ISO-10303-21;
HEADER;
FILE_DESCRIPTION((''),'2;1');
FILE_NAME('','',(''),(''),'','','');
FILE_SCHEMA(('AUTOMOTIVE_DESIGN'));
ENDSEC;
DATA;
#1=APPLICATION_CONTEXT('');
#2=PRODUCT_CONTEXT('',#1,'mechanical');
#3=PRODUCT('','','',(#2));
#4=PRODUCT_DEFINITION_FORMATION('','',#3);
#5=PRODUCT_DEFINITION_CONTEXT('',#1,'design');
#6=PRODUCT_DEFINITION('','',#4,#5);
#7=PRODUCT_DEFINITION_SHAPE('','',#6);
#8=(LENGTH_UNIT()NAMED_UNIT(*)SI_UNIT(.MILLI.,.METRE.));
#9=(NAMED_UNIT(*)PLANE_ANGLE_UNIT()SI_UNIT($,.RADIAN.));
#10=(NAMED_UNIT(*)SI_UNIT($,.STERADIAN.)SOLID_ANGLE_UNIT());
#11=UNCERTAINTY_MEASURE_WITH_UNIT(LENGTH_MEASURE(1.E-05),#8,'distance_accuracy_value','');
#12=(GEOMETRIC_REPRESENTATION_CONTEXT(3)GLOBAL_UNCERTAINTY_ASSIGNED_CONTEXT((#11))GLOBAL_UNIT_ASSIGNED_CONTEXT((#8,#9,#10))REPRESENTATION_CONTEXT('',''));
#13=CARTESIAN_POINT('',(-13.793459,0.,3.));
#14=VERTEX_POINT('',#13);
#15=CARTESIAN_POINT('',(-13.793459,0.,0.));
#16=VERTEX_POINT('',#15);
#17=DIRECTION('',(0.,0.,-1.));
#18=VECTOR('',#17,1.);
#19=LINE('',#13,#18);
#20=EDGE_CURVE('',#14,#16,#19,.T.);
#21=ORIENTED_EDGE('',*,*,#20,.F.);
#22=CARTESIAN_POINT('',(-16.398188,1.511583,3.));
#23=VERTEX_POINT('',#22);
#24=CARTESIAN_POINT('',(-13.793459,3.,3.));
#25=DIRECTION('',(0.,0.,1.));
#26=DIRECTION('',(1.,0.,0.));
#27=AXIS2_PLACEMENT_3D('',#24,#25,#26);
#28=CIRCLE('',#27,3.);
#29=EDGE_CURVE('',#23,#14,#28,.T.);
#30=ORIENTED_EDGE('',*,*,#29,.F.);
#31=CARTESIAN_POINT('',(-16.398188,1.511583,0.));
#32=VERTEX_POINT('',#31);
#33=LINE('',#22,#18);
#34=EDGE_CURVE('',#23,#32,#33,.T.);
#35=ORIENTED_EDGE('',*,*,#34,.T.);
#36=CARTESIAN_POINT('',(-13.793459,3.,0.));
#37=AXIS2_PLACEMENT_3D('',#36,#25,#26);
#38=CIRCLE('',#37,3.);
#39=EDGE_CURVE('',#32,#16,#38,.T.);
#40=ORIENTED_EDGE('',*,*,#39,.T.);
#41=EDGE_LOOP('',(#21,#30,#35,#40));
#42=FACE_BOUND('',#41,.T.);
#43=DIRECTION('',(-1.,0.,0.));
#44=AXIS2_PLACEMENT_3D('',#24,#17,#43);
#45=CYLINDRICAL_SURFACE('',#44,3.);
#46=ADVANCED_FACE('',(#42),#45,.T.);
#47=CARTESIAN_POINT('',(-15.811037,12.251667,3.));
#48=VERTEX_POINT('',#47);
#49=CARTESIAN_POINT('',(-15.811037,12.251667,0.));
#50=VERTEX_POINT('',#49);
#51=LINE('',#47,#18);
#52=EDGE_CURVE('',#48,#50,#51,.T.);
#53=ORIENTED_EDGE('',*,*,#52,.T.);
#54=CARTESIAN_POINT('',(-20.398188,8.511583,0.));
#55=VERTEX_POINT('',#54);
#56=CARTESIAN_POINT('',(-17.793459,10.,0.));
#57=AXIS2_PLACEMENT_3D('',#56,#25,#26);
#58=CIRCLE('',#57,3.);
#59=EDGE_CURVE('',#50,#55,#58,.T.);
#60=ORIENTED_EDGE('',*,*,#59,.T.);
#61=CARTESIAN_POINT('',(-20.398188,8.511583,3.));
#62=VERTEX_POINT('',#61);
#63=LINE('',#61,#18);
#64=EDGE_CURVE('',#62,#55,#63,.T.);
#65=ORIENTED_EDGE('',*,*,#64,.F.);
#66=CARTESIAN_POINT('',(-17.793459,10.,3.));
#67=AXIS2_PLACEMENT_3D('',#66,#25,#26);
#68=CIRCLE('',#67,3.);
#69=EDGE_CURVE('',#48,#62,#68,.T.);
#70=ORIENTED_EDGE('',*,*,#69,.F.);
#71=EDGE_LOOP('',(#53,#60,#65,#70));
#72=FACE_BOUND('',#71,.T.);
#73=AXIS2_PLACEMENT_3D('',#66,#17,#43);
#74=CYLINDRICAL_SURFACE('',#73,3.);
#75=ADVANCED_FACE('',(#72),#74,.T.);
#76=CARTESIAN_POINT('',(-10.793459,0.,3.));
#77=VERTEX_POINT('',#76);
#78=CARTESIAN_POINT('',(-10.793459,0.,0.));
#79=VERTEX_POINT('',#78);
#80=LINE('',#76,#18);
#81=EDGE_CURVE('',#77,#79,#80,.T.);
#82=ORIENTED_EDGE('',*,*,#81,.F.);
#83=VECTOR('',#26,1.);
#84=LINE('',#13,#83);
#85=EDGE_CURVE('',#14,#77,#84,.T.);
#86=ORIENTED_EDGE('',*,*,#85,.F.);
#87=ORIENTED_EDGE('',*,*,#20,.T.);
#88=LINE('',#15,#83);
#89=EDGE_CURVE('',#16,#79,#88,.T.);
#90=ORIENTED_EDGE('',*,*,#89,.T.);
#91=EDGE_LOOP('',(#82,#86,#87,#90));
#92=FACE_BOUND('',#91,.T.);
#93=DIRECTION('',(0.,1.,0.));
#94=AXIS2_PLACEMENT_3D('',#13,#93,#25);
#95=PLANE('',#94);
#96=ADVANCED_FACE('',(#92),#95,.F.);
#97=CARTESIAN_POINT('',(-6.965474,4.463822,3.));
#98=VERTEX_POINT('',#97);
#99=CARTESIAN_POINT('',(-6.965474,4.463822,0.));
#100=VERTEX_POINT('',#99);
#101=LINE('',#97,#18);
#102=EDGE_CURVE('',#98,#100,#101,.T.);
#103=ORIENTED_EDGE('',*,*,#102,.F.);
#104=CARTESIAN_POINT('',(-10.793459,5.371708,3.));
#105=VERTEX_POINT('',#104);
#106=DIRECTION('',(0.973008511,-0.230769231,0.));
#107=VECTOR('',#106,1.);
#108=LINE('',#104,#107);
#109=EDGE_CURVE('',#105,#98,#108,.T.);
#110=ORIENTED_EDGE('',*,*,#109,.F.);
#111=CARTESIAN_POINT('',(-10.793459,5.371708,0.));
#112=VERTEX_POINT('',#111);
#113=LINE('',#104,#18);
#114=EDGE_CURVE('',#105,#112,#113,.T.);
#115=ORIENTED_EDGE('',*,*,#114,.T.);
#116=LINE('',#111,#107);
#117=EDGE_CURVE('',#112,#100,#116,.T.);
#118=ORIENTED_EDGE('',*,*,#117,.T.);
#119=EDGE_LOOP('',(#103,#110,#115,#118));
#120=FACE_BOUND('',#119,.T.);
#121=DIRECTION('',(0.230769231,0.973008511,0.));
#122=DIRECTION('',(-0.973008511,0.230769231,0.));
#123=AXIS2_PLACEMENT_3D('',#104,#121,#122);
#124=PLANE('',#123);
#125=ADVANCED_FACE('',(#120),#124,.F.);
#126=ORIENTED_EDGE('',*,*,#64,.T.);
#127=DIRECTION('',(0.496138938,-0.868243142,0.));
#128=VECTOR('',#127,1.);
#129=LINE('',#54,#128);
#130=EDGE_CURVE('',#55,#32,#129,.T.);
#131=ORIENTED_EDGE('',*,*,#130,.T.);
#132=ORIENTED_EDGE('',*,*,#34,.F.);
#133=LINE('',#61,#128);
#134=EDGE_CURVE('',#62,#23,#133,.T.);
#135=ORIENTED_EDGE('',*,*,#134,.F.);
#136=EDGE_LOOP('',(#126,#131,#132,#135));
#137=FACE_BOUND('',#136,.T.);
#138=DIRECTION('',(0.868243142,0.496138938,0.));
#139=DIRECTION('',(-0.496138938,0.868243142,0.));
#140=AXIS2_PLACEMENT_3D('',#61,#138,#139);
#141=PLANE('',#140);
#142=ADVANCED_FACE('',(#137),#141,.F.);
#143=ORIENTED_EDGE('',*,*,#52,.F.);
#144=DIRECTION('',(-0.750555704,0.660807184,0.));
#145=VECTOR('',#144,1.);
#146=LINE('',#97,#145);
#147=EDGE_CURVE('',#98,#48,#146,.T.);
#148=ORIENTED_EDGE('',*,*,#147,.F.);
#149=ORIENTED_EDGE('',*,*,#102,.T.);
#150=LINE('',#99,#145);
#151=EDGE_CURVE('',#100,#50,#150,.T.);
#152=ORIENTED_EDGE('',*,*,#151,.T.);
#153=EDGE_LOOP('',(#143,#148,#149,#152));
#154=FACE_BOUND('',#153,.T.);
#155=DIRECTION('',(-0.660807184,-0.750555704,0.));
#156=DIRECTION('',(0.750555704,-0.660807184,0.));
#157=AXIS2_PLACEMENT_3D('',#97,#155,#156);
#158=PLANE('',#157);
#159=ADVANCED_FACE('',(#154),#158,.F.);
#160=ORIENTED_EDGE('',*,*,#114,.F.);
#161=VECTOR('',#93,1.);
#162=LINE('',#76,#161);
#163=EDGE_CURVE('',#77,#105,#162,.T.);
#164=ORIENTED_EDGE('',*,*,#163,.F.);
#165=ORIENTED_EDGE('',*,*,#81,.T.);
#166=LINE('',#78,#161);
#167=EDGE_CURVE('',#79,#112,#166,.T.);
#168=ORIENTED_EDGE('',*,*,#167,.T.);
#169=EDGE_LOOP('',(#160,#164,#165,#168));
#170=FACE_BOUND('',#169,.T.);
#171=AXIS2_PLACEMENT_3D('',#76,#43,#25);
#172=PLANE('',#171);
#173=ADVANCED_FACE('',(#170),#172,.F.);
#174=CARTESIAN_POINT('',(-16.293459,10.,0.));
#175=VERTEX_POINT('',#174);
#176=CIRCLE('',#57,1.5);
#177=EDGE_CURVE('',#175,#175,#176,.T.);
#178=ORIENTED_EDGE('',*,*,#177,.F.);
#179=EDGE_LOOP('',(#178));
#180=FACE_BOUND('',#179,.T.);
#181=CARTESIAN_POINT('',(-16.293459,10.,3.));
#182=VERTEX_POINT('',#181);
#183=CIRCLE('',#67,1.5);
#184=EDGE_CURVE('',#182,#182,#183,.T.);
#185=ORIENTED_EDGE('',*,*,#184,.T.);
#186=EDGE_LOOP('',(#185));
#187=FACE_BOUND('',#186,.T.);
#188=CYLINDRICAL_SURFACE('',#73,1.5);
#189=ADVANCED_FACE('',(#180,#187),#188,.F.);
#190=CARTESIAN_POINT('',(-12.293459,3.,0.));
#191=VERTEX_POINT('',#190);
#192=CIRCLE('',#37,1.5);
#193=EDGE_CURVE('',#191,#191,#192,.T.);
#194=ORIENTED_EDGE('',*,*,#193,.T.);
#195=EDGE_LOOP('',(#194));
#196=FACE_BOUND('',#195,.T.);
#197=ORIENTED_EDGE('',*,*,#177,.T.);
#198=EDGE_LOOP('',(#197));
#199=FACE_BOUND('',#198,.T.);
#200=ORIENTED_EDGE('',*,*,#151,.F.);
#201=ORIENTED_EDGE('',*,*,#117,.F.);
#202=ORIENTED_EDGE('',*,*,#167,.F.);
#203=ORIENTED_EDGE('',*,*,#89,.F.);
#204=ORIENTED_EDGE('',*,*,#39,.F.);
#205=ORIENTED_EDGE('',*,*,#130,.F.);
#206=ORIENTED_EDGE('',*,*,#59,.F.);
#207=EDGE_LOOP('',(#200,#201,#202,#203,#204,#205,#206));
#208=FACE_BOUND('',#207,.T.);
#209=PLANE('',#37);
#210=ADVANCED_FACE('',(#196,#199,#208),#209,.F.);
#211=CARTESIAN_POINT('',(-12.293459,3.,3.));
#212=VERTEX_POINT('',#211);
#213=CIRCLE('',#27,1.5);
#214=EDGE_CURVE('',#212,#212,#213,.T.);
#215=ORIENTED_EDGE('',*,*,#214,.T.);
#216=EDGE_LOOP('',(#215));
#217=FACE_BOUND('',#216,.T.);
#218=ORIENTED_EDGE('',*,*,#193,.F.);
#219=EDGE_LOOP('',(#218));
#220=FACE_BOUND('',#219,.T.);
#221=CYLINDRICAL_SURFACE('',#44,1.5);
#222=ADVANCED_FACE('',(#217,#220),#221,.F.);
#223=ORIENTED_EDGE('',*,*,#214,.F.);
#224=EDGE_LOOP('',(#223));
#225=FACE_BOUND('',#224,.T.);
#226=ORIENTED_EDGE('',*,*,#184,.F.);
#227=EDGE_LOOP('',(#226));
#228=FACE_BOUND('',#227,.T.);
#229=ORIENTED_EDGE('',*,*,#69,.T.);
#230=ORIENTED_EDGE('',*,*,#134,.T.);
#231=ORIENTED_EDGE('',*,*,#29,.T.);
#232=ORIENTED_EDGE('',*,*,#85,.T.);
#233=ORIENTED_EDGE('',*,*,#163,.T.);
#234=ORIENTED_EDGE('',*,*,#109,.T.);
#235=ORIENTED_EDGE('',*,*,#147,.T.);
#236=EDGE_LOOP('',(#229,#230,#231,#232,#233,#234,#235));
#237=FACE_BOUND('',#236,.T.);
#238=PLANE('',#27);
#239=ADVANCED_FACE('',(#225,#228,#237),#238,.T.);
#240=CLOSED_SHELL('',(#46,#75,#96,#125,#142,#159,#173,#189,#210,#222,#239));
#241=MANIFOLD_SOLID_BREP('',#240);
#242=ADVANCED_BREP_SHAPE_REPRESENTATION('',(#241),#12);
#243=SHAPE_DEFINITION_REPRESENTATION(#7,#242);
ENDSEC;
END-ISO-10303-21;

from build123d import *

# Parameters (mm, degrees)
SKETCH1_R           = 1.5
BOSS_EXTRUDE1_DEPTH = 3


with BuildPart() as part:
    # Sketch1 → Boss-Extrude1 (new body)
    with BuildSketch(Plane.XY):
        with BuildLine():
            Line((-20.398188463, 8.511583185), (-16.398188463, 1.511583185))
            ThreePointArc((-16.398188463, 1.511583185), (-15.299239491, 0.405269721), (-13.793459037, 0))
            Line((-13.793459037, 0), (-10.793459037, 0))
            Line((-10.793459037, 0), (-10.793459037, 5.371708245))
            Line((-10.793459037, 5.371708245), (-6.965474487, 4.463821993))
            Line((-6.965474487, 4.463821993), (-15.811037483, 12.251667113))
            ThreePointArc((-15.811037483, 12.251667113), (-19.689210528, 12.3251078), (-20.398188463, 8.511583185))
        make_face()
        with Locations((-17.793459037, 10)):
            Circle(SKETCH1_R, mode=Mode.SUBTRACT)
        with Locations((-13.793459037, 3)):
            Circle(SKETCH1_R, mode=Mode.SUBTRACT)
    extrude(amount=BOSS_EXTRUDE1_DEPTH)


solid = part.part
